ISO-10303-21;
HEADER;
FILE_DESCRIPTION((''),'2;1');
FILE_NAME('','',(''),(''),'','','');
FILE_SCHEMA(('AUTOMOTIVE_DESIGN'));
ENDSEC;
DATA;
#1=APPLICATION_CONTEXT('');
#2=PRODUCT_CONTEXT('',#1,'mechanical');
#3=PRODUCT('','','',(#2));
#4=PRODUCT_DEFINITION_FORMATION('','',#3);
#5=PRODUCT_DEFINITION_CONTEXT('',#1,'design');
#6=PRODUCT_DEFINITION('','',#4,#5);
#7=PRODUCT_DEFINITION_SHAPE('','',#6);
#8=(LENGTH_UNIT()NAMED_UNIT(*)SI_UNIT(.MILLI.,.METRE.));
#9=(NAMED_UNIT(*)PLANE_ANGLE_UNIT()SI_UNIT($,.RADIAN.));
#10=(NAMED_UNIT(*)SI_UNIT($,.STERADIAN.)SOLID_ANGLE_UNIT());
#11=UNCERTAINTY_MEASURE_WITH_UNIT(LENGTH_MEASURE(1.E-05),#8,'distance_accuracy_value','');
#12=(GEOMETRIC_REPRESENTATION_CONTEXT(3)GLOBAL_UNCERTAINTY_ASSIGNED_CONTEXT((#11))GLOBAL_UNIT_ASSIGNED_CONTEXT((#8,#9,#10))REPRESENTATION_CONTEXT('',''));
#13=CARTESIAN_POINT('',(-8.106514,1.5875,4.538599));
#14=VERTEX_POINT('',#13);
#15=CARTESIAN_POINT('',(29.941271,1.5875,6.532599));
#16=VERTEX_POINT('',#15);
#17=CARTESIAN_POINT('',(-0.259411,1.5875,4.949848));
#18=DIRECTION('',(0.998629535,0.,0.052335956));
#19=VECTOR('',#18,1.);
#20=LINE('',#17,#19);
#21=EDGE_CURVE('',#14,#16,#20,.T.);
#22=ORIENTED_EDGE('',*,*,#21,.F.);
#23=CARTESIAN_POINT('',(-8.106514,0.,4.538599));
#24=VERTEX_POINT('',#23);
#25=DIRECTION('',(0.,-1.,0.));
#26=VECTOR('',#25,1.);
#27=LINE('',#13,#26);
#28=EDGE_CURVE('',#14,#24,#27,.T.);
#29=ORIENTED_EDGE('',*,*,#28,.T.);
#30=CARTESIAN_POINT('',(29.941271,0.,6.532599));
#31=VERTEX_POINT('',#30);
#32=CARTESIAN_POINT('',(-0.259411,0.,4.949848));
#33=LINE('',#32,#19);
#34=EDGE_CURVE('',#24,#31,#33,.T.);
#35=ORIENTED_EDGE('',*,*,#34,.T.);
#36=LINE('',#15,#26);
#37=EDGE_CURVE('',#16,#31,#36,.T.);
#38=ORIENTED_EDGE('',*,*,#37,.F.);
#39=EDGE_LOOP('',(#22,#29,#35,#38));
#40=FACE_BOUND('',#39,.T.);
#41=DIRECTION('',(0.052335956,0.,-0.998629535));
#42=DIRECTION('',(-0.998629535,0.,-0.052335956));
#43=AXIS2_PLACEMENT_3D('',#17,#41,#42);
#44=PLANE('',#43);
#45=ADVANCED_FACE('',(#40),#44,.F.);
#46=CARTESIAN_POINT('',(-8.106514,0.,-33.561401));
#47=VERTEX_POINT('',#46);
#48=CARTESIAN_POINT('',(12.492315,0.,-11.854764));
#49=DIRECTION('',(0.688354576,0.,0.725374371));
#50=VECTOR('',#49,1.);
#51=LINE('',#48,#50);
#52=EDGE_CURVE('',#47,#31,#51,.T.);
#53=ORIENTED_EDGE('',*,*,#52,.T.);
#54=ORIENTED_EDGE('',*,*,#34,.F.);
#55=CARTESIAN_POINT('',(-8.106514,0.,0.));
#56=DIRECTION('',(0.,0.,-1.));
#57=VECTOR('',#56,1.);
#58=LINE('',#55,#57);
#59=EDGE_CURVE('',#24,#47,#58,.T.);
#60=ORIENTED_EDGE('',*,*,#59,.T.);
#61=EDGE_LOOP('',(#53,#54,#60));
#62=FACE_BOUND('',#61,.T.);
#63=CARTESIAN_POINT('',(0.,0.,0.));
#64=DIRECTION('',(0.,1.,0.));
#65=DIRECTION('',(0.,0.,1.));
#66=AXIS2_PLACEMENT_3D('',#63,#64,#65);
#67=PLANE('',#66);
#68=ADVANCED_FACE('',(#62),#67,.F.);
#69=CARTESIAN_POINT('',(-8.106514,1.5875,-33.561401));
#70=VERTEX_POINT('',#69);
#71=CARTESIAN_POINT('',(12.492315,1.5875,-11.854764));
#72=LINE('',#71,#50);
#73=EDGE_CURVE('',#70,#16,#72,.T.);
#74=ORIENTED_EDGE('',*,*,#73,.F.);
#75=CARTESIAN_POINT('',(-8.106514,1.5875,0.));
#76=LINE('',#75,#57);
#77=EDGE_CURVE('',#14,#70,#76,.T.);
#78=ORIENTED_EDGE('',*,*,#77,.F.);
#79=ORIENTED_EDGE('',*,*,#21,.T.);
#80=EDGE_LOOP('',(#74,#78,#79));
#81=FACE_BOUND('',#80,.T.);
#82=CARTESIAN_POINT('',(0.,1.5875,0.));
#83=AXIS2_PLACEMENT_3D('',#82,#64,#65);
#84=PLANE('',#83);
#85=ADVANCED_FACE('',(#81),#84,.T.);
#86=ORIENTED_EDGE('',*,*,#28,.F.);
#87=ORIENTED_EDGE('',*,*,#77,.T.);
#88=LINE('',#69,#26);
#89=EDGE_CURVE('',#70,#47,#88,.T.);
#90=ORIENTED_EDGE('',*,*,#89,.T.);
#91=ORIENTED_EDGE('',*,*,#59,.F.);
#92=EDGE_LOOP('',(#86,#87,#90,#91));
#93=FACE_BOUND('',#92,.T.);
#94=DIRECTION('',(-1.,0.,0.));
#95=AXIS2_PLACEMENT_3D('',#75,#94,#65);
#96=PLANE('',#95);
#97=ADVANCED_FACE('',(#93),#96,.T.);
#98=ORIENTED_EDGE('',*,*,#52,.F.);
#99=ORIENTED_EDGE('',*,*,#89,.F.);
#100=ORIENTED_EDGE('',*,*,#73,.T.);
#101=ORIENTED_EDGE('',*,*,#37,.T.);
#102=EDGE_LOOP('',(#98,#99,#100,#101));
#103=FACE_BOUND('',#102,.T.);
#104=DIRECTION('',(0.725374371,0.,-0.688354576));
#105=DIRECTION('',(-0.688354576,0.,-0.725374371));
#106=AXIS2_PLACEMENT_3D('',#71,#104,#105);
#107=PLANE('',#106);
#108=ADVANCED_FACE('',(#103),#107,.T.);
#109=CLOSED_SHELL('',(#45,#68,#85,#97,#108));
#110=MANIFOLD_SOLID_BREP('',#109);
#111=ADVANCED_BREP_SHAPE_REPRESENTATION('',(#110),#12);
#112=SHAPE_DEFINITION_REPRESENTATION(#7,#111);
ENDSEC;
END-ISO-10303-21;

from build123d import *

# Parameters (mm, degrees)
BOSS_EXTRUDE1_DEPTH = 1.5875


with BuildPart() as part:
    # Sketch1 → Boss-Extrude1 (new body)
    with BuildSketch(Plane(origin=(0, 0, 0), x_dir=(1, 0, 0), z_dir=(0, 1, 0))):
        Polygon((-8.106514411, 33.561400995), (29.941270863, -6.532598938), (-8.106514411, -4.538599005), align=None)
    extrude(amount=BOSS_EXTRUDE1_DEPTH)


solid = part.part
